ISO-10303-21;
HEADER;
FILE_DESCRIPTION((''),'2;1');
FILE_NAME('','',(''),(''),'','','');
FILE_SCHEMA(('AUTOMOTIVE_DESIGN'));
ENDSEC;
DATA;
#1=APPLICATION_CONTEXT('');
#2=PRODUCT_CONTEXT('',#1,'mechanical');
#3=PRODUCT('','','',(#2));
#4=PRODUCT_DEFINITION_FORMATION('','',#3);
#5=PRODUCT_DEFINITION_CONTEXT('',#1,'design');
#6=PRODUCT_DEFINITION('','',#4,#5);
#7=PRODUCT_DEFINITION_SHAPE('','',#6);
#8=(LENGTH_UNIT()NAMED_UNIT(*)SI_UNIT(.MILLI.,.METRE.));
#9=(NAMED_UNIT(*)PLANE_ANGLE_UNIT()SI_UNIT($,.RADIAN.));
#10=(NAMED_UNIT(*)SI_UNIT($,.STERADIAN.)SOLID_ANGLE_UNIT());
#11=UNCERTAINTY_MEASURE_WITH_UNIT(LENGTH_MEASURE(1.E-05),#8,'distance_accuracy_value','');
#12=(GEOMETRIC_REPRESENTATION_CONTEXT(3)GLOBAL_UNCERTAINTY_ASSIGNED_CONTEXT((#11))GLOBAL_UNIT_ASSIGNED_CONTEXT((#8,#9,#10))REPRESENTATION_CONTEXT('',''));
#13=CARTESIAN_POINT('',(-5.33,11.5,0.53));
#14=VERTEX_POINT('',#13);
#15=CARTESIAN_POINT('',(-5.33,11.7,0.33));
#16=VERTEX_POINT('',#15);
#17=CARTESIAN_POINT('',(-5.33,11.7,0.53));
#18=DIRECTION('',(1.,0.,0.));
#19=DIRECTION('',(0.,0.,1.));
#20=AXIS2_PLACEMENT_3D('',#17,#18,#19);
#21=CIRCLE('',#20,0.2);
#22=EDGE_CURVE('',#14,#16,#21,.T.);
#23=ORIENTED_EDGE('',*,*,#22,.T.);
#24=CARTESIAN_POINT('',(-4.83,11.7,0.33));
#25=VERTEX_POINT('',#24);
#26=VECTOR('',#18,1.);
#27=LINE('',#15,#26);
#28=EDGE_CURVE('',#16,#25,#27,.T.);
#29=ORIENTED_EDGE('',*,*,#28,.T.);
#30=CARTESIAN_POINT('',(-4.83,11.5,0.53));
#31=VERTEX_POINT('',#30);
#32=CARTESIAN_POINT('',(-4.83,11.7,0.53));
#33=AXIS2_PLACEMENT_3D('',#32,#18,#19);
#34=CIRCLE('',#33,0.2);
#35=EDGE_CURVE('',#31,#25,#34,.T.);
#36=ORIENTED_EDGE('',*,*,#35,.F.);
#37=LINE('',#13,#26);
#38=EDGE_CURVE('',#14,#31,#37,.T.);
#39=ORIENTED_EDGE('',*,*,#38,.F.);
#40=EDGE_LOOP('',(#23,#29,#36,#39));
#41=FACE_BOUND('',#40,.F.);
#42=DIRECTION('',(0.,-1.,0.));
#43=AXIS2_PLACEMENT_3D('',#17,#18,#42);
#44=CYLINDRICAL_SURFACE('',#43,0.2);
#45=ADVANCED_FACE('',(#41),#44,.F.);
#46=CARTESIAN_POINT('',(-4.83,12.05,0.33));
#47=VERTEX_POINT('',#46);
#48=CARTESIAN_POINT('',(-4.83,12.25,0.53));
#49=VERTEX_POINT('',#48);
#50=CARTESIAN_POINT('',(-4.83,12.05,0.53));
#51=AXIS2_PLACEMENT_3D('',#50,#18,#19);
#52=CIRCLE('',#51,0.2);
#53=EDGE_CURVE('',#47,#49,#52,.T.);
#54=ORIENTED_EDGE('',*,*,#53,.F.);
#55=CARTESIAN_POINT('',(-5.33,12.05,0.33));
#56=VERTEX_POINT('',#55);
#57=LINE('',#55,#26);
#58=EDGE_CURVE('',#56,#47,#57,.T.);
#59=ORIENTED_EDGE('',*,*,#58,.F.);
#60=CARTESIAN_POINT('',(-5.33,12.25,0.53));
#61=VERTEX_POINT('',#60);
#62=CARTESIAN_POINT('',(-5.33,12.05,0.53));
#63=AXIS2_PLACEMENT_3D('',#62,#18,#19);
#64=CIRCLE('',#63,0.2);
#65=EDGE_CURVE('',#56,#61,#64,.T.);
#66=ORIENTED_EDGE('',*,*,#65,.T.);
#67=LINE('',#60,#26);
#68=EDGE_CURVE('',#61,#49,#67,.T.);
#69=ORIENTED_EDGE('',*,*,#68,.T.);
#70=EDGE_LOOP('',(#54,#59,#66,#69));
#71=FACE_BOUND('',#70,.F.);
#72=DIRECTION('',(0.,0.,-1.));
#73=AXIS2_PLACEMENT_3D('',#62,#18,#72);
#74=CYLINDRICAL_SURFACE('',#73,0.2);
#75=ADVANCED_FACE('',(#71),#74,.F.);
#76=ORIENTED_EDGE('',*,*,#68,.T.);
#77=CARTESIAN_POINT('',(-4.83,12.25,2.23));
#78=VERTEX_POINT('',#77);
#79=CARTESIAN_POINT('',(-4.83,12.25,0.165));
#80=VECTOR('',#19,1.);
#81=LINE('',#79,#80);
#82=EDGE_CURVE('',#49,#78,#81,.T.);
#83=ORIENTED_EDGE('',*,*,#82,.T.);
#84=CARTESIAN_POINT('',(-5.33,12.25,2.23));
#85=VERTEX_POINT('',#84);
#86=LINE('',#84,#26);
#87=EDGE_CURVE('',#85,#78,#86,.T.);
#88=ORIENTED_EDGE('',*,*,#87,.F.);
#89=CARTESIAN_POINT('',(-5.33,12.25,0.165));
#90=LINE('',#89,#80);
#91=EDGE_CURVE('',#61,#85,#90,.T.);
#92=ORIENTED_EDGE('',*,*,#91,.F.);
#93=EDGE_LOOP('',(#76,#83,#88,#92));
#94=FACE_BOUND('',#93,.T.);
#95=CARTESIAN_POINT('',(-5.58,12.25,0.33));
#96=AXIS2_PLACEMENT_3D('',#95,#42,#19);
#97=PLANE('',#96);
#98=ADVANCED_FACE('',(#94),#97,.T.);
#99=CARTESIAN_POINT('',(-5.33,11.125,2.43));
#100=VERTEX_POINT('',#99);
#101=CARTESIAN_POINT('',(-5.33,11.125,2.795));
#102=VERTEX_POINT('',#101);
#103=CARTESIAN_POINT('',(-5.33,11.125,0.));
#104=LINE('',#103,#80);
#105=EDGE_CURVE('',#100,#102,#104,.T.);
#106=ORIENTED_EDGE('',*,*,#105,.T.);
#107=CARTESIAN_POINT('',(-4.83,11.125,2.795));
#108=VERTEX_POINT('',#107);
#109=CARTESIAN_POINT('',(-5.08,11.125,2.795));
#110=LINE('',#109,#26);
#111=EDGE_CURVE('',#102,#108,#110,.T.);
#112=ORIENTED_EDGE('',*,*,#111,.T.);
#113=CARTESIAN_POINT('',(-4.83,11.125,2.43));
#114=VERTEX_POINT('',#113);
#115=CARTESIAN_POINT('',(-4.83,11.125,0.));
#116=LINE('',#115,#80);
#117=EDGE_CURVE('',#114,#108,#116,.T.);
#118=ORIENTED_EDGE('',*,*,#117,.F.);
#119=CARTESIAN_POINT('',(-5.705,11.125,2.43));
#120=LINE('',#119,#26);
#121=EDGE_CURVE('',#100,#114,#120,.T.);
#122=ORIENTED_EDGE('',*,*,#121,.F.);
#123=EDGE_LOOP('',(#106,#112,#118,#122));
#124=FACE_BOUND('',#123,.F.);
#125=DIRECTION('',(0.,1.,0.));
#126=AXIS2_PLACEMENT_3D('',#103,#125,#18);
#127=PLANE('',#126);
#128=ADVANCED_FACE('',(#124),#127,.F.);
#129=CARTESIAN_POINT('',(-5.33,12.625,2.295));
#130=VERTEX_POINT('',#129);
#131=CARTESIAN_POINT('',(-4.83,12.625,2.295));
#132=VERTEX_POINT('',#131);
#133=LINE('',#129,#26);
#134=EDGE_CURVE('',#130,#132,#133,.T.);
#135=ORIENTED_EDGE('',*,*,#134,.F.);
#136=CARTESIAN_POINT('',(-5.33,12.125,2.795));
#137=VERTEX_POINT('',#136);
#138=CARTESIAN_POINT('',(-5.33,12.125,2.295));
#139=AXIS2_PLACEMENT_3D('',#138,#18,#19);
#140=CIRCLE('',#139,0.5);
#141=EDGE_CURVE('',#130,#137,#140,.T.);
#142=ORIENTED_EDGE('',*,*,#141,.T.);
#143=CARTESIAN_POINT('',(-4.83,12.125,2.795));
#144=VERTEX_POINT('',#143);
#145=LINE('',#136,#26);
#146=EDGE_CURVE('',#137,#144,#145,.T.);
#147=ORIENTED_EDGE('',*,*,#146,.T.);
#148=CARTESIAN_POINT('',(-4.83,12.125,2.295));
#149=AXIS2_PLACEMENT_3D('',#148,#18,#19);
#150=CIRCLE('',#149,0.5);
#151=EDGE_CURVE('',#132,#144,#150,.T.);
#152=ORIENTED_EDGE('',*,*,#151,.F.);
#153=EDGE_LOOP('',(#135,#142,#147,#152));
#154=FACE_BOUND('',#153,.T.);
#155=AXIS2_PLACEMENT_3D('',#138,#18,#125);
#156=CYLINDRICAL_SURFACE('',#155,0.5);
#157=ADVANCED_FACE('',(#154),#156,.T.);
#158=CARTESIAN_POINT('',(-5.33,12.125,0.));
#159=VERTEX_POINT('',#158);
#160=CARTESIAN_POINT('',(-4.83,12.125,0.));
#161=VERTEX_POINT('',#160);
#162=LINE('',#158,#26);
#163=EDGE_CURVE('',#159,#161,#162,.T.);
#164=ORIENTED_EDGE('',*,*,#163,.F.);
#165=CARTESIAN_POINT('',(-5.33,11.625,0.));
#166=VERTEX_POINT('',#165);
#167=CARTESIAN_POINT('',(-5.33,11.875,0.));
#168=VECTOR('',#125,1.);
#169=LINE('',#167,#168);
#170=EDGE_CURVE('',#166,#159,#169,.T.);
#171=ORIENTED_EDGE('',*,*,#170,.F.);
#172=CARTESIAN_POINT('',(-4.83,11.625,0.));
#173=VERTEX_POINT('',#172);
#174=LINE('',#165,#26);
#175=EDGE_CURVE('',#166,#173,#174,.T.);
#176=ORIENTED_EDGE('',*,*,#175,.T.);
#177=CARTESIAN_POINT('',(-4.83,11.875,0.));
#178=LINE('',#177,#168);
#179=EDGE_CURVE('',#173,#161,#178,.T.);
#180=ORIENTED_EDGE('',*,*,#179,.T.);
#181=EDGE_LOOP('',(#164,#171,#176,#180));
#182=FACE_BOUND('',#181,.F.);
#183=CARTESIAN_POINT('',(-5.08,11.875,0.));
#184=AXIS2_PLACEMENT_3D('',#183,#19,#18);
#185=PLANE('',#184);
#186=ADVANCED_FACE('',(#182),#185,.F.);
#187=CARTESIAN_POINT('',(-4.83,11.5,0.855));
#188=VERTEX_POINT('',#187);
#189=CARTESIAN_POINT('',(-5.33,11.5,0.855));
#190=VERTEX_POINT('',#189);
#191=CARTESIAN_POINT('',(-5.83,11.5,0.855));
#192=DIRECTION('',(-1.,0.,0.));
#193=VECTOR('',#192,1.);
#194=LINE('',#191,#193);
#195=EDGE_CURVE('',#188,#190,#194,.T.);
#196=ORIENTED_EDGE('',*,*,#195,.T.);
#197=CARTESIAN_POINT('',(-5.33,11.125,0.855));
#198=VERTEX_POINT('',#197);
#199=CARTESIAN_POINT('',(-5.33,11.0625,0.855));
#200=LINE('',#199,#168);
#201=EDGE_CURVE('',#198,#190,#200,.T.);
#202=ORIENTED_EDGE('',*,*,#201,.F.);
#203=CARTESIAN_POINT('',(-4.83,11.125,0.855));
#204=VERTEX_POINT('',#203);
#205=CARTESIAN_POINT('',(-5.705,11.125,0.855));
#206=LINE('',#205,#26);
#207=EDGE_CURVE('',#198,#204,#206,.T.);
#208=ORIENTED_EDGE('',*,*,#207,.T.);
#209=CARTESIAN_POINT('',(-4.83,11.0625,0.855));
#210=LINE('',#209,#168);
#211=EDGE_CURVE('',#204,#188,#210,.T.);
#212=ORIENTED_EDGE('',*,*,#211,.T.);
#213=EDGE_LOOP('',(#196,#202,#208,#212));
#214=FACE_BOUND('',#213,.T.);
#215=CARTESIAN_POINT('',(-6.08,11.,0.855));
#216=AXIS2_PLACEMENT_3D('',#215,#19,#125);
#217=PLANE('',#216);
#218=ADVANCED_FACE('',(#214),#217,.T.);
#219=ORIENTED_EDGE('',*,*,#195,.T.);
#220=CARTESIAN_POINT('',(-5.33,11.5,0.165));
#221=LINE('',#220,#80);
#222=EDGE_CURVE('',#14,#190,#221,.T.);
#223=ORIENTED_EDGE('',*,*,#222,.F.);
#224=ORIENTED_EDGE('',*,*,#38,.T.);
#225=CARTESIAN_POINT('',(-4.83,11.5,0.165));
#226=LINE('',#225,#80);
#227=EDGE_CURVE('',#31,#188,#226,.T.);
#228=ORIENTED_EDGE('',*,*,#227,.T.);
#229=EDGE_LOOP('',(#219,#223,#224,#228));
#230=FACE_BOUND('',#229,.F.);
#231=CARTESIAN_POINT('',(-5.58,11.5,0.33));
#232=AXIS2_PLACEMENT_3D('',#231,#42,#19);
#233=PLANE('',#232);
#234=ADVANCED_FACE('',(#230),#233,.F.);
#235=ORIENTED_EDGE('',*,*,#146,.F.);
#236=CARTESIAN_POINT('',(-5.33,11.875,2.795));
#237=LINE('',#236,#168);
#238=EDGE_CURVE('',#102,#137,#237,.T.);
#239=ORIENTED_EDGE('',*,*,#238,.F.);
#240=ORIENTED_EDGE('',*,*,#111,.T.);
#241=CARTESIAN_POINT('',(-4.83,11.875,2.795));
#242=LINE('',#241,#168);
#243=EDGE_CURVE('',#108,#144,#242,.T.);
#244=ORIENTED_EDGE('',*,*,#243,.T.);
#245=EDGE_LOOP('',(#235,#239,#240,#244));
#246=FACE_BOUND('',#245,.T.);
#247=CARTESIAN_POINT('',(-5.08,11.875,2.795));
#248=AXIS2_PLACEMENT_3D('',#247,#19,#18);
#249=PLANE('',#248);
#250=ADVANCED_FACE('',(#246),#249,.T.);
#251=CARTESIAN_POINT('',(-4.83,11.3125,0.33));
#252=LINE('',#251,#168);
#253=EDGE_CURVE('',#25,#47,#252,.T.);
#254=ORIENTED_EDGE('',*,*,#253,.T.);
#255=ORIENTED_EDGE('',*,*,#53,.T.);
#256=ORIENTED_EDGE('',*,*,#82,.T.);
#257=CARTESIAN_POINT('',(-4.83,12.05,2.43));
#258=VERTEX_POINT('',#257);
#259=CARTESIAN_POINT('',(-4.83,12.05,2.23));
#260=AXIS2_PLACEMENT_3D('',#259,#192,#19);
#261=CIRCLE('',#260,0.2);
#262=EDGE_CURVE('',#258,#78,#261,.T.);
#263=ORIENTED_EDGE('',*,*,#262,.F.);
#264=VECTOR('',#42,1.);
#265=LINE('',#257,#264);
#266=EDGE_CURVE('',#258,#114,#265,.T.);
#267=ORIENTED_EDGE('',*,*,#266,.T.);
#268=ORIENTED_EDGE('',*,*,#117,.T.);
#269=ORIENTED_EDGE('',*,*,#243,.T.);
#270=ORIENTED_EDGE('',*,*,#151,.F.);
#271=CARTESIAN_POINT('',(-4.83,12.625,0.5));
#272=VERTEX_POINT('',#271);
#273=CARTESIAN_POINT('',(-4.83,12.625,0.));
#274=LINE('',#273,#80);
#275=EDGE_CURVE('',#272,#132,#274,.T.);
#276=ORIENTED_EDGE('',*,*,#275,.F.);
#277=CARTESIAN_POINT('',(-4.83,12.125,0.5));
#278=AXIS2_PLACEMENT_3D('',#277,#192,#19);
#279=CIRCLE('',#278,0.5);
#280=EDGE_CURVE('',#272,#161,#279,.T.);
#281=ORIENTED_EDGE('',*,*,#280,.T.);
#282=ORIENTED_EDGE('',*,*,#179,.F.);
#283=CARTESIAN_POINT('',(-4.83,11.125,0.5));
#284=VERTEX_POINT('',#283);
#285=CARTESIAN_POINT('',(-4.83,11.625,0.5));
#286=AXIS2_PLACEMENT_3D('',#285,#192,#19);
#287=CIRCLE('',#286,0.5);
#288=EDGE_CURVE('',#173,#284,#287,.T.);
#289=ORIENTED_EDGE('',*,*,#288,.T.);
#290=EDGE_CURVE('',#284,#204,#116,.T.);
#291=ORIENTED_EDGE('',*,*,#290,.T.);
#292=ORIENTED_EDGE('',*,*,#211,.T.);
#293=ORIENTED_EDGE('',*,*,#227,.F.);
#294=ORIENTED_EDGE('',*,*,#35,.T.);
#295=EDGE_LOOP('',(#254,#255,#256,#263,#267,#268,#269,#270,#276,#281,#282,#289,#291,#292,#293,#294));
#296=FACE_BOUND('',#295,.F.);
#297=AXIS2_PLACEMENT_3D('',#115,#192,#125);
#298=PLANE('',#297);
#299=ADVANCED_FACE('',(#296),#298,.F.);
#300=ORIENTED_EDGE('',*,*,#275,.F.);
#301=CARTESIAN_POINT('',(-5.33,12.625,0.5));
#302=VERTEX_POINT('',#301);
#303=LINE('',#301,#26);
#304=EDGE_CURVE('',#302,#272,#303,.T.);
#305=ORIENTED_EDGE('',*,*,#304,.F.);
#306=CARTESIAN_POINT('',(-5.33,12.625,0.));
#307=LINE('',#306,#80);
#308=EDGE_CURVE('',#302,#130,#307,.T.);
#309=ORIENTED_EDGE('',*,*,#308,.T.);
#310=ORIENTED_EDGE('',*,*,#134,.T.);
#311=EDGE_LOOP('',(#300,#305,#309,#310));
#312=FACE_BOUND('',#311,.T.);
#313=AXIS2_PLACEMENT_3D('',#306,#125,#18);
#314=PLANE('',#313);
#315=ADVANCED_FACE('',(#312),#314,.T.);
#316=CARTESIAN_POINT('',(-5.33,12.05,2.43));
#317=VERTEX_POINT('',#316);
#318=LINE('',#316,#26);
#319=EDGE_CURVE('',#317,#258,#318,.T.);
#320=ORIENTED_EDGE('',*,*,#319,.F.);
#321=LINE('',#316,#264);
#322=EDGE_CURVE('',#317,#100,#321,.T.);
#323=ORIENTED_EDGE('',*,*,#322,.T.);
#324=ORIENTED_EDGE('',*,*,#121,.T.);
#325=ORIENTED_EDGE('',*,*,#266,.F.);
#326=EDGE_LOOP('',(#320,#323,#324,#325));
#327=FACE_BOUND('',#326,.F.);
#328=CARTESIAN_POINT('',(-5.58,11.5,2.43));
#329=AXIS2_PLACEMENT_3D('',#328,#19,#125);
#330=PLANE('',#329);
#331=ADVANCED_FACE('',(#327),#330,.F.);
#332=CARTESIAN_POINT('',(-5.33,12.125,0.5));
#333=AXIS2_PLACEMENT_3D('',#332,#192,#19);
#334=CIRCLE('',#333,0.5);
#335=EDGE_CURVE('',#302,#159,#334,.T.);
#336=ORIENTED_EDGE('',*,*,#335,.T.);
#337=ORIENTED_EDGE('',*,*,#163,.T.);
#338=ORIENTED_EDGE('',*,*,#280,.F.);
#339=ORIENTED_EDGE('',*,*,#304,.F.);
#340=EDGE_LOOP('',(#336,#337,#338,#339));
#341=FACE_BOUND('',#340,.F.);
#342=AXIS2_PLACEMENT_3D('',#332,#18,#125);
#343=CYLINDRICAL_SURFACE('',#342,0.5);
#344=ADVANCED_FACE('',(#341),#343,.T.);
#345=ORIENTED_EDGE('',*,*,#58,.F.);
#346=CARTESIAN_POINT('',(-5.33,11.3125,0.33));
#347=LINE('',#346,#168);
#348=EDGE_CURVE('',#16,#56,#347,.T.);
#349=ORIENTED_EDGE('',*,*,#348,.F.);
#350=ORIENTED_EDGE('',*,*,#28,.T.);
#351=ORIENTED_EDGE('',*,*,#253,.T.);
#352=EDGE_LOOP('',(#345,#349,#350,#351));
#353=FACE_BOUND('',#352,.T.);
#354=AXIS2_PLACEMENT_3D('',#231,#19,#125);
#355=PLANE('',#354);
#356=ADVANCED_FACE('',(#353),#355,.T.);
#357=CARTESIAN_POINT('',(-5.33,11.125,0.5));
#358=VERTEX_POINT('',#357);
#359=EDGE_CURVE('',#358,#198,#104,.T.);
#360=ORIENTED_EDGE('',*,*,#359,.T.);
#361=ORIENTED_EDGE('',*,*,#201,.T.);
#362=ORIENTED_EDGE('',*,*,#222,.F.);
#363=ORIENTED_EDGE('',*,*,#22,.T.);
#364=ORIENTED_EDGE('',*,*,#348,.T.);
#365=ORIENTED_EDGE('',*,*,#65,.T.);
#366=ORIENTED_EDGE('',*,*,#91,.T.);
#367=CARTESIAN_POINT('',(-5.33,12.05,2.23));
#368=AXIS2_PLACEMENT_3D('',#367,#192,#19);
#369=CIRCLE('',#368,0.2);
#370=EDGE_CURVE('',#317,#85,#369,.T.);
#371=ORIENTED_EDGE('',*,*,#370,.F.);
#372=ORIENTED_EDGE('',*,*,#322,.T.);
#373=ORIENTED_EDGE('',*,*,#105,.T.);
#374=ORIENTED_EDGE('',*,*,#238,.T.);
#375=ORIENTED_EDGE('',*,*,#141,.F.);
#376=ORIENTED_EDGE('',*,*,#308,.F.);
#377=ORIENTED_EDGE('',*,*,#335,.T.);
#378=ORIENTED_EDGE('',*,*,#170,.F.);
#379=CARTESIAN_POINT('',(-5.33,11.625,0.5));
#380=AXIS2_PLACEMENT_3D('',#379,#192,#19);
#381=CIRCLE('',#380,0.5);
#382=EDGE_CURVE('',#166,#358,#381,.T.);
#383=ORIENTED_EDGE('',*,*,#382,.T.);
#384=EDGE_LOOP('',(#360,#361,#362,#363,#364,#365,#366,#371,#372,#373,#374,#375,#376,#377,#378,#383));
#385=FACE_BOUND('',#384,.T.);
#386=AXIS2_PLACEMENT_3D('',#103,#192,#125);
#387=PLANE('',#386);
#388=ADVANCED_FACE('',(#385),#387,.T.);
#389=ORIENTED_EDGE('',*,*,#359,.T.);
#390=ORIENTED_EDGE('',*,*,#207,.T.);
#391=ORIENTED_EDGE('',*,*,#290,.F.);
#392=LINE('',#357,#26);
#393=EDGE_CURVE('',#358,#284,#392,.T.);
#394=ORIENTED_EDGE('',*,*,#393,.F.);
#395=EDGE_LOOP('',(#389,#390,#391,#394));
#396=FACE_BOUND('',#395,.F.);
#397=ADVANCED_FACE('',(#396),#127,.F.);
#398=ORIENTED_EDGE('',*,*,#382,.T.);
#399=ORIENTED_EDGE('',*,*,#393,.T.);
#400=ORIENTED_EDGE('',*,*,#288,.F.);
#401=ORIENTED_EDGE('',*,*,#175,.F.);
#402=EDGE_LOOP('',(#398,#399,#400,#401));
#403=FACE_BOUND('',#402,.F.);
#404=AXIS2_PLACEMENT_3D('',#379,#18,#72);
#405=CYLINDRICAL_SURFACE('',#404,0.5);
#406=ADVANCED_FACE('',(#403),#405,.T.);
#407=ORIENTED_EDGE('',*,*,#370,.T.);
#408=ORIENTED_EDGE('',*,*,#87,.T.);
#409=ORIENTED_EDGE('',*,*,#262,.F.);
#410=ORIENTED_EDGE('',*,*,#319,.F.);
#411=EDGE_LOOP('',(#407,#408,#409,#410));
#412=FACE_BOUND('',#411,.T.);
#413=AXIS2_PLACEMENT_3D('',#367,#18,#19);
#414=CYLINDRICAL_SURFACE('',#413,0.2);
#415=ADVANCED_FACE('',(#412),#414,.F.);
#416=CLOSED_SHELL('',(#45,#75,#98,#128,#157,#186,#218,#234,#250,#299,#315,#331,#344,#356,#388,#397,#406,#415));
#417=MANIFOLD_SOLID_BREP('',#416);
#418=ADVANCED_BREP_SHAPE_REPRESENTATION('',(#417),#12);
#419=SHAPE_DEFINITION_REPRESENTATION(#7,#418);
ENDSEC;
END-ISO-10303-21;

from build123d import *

# Parameters (mm, degrees)
BOX144_W     = 0.5
BOX144_H     = 1.5
BOX144_DEPTH = 2.795
FILLET301_R  = 0.5
FILLET321_R  = 0.5
FILLET300_R  = 0.5
BOX142_W     = 0.75
BOX142_H     = 2.1
BOX142_DEPTH = 1
FILLET271_R  = 0.2
FILLET309_R  = 0.2
FILLET270_R  = 0.2
FILLET306_R  = 0.2
BOX149_W     = 1
BOX149_H     = 1.575
BOX149_DEPTH = 3


with BuildPart() as part:
    # Box144 → Box144 (join)
    with BuildSketch(Plane(origin=(-0.25, 11.125, 0), x_dir=(1, 0, 0), z_dir=(0, 0, 1))):
        with Locations((0.25, 0.75)):
            Rectangle(BOX144_W, BOX144_H)
    extrude(amount=BOX144_DEPTH)

    # Fillet301
    fillet301_edges = [part.edges().sort_by_distance(p)[0] for p in [
        (0, 12.625, 0),
    ]]
    fillet(fillet301_edges, radius=FILLET301_R)

    # Fillet321
    fillet321_edges = [part.edges().sort_by_distance(p)[0] for p in [
        (0, 12.625, 2.795),
    ]]
    fillet(fillet321_edges, radius=FILLET321_R)

    # Fillet300
    fillet300_edges = [part.edges().sort_by_distance(p)[0] for p in [
        (0, 11.125, 0),
    ]]
    fillet(fillet300_edges, radius=FILLET300_R)

    # Box142 → Box142 (cut)
    with BuildSketch(Plane(origin=(-0.5, 11.5, 0.33), x_dir=(0, 1, 0), z_dir=(1, 0, 0))):
        with Locations((0.375, 1.05)):
            Rectangle(BOX142_W, BOX142_H)
    extrude(amount=BOX142_DEPTH, mode=Mode.SUBTRACT)

    # Fillet271
    fillet271_edges = [part.edges().sort_by_distance(p)[0] for p in [
        (0, 11.5, 0.33),
    ]]
    fillet(fillet271_edges, radius=FILLET271_R)

    # Fillet309
    fillet309_edges = [part.edges().sort_by_distance(p)[0] for p in [
        (0, 12.25, 0.33),
    ]]
    fillet(fillet309_edges, radius=FILLET309_R)

    # Fillet270
    fillet270_edges = [part.edges().sort_by_distance(p)[0] for p in [
        (0, 11.5, 2.43),
    ]]
    fillet(fillet270_edges, radius=FILLET270_R)

    # Fillet306
    fillet306_edges = [part.edges().sort_by_distance(p)[0] for p in [
        (0, 12.25, 2.43),
    ]]
    fillet(fillet306_edges, radius=FILLET306_R)

    # Box149 → Box149 (cut)
    with BuildSketch(Plane(origin=(-1, 11, 0.855), x_dir=(0, 1, 0), z_dir=(1, 0, 0))):
        with Locations((0.5, 0.7875)):
            Rectangle(BOX149_W, BOX149_H)
    extrude(amount=BOX149_DEPTH, mode=Mode.SUBTRACT)


with BuildPart() as part_1:
    # Body045 placement: moved
    add(part.part.moved(Location((-5.08, 0, 0))))


solid = part_1.part
